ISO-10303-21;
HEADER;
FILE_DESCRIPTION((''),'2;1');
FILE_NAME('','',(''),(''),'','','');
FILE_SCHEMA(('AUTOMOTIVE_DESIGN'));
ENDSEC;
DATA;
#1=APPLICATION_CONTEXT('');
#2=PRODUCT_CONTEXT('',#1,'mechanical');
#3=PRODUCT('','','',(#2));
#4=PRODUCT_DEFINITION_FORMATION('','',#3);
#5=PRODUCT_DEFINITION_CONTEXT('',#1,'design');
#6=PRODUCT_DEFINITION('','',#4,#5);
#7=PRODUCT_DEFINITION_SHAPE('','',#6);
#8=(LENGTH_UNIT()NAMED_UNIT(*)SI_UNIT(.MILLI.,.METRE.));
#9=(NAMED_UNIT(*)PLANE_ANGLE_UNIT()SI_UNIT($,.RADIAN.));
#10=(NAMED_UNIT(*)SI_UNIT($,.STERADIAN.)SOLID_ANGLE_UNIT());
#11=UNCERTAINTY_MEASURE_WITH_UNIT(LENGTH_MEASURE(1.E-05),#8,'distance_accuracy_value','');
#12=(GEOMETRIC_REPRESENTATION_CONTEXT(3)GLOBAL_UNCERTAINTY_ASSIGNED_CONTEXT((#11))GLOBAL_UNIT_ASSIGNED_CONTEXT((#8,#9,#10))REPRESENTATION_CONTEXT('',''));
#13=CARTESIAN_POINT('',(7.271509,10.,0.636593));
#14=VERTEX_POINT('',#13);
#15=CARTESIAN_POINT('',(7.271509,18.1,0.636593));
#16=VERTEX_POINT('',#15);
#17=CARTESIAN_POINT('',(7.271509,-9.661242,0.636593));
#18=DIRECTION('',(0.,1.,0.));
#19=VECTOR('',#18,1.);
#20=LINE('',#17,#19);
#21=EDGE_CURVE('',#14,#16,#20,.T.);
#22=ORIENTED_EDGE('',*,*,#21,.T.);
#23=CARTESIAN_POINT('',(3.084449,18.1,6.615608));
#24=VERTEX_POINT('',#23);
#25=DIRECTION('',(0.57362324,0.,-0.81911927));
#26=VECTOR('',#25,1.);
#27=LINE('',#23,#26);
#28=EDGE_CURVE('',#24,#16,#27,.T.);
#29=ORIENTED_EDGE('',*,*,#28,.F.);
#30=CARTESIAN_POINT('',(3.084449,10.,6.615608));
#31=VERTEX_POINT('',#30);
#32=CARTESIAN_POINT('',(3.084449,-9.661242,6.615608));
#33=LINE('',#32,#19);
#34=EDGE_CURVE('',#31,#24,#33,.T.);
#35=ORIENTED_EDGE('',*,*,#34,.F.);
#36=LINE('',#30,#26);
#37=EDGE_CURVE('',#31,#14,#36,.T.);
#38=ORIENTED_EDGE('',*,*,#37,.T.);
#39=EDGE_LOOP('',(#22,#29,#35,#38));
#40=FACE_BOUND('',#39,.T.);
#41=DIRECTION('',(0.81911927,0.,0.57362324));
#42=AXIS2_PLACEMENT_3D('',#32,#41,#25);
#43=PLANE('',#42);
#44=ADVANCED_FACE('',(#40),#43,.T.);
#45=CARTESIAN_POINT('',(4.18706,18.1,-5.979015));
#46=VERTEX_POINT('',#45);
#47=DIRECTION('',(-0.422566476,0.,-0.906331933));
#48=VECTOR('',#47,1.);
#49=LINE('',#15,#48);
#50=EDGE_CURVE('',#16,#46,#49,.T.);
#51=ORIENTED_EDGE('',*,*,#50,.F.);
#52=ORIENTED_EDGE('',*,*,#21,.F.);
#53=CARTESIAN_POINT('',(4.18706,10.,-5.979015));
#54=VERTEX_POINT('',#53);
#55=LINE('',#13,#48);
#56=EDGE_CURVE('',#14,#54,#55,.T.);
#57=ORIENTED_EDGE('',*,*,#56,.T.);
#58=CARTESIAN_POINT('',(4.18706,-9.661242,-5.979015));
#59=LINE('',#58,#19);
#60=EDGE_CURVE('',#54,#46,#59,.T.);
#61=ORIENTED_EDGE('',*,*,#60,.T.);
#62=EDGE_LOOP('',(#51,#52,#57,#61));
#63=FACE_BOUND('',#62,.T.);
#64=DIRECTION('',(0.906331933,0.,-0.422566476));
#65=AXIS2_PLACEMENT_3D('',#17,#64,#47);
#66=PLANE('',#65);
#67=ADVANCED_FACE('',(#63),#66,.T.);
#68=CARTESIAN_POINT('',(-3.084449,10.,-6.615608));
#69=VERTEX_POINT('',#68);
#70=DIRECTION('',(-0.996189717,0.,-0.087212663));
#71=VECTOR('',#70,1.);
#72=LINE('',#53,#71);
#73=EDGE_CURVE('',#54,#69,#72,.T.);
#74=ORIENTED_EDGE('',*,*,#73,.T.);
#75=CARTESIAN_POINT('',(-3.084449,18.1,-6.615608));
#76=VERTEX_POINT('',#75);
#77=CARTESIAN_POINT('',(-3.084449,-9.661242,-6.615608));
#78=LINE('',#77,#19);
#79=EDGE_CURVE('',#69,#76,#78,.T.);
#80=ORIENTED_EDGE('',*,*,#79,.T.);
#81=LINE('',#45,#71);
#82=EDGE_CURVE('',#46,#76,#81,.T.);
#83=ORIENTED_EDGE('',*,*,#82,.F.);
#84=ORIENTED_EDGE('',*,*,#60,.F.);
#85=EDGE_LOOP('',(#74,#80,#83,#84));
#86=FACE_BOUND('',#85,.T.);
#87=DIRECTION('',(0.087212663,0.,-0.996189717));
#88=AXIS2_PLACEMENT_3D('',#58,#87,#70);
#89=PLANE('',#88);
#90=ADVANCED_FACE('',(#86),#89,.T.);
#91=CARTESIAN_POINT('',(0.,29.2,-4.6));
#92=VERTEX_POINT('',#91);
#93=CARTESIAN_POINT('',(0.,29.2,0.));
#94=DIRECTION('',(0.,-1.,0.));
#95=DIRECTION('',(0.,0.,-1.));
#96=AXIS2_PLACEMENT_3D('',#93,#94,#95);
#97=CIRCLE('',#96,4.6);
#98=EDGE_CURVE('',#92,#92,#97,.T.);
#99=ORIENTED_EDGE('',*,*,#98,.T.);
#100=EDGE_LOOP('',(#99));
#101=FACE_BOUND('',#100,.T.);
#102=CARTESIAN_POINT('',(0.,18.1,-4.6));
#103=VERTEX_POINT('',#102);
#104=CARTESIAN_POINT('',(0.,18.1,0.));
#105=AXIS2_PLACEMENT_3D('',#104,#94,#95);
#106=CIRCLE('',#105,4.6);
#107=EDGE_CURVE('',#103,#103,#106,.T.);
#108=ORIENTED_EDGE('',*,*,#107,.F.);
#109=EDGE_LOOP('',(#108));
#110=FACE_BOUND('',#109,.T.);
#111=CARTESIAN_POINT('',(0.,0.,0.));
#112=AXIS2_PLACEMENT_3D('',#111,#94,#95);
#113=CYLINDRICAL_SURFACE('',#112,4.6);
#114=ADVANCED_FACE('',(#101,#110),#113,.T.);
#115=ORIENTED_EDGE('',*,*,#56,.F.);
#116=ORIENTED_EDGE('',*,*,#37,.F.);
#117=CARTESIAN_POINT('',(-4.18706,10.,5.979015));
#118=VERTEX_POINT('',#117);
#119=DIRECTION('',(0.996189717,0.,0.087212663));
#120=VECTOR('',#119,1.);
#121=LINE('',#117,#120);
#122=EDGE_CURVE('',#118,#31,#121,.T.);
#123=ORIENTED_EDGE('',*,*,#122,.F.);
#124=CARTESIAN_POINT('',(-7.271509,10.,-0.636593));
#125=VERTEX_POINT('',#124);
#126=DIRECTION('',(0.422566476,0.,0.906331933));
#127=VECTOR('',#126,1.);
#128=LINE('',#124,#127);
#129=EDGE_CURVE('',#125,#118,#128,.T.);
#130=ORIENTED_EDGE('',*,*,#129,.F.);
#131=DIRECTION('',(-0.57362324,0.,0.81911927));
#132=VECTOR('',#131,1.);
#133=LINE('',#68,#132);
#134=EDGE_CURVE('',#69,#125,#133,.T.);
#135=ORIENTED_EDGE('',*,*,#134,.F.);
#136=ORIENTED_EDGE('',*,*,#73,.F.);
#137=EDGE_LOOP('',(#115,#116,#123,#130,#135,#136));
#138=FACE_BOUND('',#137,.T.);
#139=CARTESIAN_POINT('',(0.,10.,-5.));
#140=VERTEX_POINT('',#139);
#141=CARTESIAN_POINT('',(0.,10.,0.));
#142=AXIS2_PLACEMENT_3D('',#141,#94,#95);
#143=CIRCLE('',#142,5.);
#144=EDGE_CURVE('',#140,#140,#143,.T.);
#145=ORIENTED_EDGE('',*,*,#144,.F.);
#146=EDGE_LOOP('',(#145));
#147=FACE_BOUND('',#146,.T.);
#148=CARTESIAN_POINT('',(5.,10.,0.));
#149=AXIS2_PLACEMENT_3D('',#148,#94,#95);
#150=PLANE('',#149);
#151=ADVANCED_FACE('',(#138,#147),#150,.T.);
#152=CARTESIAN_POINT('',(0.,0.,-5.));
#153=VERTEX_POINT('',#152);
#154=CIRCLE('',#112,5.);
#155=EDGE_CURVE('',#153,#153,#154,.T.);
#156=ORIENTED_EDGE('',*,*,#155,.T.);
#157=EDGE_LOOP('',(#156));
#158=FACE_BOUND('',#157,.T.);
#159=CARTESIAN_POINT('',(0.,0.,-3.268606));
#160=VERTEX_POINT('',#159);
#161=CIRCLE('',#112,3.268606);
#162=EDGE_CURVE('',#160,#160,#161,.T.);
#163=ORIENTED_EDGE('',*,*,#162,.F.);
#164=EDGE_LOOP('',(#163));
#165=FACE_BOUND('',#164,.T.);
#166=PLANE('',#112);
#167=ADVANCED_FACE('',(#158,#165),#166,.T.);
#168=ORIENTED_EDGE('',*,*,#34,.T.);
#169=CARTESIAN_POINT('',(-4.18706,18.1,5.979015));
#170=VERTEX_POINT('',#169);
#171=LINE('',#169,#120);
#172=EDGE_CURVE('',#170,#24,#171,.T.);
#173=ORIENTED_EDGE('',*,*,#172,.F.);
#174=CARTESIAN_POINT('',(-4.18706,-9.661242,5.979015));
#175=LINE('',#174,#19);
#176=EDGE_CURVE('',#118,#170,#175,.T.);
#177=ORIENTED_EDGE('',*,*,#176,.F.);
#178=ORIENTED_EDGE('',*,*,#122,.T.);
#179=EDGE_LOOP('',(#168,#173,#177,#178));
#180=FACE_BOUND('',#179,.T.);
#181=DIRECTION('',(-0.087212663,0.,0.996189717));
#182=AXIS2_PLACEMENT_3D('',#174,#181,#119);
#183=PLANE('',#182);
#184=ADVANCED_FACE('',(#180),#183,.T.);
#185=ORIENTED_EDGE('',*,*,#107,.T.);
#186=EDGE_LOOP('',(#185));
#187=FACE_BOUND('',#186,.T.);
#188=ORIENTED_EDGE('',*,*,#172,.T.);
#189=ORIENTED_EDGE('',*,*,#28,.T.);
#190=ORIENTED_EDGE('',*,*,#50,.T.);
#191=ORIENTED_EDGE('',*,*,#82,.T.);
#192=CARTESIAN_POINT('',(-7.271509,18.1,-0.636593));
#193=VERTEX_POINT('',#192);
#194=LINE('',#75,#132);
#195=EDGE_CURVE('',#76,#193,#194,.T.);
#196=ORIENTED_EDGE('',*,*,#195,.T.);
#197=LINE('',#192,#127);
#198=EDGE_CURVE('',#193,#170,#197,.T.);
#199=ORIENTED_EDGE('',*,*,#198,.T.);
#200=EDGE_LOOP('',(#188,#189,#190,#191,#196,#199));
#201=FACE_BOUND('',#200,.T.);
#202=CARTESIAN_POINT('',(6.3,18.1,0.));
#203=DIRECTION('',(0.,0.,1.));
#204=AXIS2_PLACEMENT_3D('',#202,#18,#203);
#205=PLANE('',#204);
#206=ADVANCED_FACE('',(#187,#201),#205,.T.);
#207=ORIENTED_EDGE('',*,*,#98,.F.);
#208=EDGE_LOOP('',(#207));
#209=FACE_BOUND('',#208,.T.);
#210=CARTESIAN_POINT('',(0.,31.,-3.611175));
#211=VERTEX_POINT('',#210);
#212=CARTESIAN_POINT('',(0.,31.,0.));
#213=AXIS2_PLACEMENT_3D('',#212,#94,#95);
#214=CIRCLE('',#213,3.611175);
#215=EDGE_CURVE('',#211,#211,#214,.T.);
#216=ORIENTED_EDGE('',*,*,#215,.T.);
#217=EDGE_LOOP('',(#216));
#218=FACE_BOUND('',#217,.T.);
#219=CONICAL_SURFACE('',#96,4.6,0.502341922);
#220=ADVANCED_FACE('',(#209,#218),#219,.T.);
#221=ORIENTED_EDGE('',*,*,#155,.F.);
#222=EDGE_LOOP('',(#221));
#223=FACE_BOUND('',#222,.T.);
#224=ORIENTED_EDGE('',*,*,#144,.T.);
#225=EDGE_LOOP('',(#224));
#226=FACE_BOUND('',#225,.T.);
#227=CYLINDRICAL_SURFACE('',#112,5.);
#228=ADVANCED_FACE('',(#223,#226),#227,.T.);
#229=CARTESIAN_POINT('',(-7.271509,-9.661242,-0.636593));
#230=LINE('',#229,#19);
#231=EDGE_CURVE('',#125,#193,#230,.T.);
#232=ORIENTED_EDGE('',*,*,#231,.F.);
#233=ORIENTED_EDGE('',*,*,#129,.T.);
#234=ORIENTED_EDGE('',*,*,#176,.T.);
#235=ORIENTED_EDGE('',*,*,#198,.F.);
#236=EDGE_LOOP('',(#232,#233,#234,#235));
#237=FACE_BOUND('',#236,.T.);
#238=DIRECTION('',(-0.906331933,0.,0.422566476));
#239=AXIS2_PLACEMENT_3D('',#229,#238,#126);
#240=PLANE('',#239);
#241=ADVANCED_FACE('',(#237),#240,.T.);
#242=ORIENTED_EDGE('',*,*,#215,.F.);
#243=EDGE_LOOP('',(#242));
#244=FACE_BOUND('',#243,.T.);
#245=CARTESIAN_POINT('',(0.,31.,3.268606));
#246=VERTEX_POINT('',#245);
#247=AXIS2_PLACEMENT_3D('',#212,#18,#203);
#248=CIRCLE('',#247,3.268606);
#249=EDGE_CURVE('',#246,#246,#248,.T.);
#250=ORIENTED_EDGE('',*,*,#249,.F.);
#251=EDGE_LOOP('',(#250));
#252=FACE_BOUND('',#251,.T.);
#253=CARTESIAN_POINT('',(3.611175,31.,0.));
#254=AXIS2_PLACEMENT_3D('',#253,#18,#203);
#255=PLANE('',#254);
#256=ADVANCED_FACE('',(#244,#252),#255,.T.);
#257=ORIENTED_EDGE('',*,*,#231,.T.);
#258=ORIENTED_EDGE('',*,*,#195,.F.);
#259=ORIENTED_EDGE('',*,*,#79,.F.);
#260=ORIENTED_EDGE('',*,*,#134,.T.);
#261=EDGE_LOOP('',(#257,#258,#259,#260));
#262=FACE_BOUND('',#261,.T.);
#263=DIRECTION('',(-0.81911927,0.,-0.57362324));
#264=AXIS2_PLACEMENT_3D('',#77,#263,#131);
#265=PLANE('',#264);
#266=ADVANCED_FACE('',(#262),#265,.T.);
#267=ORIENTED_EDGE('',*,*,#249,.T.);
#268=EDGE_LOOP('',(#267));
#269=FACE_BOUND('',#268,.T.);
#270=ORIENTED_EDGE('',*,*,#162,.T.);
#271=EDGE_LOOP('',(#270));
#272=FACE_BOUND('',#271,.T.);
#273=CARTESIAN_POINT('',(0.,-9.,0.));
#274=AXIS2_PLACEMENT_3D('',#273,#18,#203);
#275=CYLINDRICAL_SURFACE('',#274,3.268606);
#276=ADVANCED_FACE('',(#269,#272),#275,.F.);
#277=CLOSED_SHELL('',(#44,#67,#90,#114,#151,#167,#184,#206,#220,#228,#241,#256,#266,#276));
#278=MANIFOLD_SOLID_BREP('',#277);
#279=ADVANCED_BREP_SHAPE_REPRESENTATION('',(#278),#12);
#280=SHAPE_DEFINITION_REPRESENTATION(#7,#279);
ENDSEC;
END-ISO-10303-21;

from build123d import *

# Parameters (mm, degrees)
BOSS_EXTRUDE1_DEPTH = 8.1
SKETCH3_R           = 3.268605963
CUT_EXTRUDE1_DEPTH  = 40


with BuildPart() as part:
    # Sketch1 → Revolve1 (revolve)
    with BuildSketch(Plane.XY, mode=Mode.PRIVATE) as revolve1_sk:
        Polygon((0, 0), (0, 31), (3.611174949, 31), (4.6, 29.2), (4.6, 18.1), (6.3, 18.1), (6.3, 10), (5, 10), (5, 0), align=None)
    revolve(revolve1_sk.sketch.rotate(Axis((0, 0, 0), (0, 1, 0)), 90), axis=Axis((0, 0, 0), (0, 1, 0)))

    # Sketch2 → Boss-Extrude1 (add)
    with BuildSketch(Plane(origin=(0, 18.1, 0), x_dir=(1, 0, 0), z_dir=(0, 1, 0))):
        Polygon((7.271508979, -0.636593264), (4.187060428, 5.979014867), (-3.08444855, 6.615608132), (-7.271508979, 0.636593264), (-4.187060428, -5.979014867), (3.08444855, -6.615608132), align=None)
    extrude(amount=-BOSS_EXTRUDE1_DEPTH)

    # Sketch3 → Cut-Extrude1 (cut)
    with BuildSketch(Plane(origin=(0, 31, 0), x_dir=(1, 0, 0), z_dir=(0, 1, 0))):
        with Locations(Location((0, 0, 0), (0, 0, 270))):
            Circle(SKETCH3_R)
    extrude(amount=-CUT_EXTRUDE1_DEPTH, mode=Mode.SUBTRACT)


solid = part.part
